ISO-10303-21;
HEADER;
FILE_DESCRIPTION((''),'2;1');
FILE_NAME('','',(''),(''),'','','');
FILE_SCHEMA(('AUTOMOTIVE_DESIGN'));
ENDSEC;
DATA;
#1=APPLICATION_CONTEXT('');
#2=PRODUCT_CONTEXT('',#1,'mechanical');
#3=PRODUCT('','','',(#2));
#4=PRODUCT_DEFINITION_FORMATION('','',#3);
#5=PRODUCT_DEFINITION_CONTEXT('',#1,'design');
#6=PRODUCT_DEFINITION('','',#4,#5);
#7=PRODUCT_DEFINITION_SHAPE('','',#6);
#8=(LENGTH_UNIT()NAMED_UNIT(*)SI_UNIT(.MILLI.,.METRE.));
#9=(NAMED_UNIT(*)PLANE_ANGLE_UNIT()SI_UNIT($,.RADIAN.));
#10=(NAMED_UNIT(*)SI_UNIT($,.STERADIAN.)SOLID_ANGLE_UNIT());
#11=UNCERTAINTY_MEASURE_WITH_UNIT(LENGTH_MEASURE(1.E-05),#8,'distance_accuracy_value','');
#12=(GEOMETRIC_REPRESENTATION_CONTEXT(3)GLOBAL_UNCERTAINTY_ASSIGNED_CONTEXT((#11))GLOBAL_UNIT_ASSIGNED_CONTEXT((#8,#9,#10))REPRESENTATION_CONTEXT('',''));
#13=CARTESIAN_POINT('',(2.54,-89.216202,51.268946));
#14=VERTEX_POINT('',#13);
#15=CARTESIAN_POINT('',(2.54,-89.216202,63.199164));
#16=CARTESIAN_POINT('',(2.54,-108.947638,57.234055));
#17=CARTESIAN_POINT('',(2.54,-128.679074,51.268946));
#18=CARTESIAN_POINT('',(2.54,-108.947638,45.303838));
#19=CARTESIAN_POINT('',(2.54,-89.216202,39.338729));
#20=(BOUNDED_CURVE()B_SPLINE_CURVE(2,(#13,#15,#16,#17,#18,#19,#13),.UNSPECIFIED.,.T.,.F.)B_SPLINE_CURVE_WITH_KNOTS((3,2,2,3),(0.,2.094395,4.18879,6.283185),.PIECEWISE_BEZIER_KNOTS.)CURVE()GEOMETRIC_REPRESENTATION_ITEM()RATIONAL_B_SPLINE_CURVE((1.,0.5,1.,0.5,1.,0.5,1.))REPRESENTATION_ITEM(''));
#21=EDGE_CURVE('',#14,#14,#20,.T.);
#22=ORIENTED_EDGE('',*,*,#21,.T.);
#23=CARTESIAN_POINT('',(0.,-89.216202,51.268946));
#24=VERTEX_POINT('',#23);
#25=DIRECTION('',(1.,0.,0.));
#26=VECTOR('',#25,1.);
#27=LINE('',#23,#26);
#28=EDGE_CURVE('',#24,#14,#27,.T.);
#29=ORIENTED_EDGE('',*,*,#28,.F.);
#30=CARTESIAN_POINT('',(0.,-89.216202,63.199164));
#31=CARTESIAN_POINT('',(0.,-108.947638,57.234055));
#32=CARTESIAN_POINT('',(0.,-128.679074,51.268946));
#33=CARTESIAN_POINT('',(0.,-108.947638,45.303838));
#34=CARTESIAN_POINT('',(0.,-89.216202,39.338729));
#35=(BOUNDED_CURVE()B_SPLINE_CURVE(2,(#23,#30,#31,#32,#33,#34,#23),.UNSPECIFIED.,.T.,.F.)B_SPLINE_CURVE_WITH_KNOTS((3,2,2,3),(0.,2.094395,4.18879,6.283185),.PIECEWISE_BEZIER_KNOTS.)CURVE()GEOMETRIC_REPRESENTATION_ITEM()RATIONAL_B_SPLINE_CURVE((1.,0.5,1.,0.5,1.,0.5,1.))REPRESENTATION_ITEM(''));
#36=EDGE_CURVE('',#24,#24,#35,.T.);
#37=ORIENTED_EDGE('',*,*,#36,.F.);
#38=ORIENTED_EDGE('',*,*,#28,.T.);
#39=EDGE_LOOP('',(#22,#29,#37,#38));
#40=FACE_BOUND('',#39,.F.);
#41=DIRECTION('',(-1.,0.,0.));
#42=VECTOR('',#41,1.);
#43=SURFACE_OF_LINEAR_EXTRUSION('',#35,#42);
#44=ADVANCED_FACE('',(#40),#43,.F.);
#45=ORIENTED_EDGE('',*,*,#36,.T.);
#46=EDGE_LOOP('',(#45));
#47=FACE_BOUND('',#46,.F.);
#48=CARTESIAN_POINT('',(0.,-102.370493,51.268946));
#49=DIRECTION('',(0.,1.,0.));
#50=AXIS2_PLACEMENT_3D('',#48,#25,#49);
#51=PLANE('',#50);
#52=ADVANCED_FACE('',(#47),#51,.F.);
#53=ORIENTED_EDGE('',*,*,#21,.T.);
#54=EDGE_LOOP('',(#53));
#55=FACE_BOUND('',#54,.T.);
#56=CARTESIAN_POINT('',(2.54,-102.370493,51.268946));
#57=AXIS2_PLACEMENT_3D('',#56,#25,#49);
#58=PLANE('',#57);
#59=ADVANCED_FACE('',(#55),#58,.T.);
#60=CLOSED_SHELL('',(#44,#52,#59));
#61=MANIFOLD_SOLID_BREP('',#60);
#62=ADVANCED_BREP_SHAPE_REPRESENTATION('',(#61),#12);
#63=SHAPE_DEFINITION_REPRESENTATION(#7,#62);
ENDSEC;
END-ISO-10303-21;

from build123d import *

# Parameters (mm, degrees)
F1_DEPTH = 2.54


with BuildPart() as f1:
    # F0 (on Right) → F1 (new body)
    with BuildSketch(Plane.YZ):
        with BuildLine():
            add(Edge.make_bspline(
                [(-89.216202, 51.268946), (-89.216202, 63.199164), (-108.947638, 57.234055), (-128.679074, 51.268946), (-108.947638, 45.303838), (-89.216202, 39.338729), (-89.216202, 51.268946)],
                knots=[0, 0, 0, 2.094395, 2.094395, 4.18879, 4.18879, 6.283185, 6.283185, 6.283185], degree=2, weights=[1, 0.5, 1, 0.5, 1, 0.5, 1]))
        make_face()
    extrude(amount=F1_DEPTH)


solid = f1.part
